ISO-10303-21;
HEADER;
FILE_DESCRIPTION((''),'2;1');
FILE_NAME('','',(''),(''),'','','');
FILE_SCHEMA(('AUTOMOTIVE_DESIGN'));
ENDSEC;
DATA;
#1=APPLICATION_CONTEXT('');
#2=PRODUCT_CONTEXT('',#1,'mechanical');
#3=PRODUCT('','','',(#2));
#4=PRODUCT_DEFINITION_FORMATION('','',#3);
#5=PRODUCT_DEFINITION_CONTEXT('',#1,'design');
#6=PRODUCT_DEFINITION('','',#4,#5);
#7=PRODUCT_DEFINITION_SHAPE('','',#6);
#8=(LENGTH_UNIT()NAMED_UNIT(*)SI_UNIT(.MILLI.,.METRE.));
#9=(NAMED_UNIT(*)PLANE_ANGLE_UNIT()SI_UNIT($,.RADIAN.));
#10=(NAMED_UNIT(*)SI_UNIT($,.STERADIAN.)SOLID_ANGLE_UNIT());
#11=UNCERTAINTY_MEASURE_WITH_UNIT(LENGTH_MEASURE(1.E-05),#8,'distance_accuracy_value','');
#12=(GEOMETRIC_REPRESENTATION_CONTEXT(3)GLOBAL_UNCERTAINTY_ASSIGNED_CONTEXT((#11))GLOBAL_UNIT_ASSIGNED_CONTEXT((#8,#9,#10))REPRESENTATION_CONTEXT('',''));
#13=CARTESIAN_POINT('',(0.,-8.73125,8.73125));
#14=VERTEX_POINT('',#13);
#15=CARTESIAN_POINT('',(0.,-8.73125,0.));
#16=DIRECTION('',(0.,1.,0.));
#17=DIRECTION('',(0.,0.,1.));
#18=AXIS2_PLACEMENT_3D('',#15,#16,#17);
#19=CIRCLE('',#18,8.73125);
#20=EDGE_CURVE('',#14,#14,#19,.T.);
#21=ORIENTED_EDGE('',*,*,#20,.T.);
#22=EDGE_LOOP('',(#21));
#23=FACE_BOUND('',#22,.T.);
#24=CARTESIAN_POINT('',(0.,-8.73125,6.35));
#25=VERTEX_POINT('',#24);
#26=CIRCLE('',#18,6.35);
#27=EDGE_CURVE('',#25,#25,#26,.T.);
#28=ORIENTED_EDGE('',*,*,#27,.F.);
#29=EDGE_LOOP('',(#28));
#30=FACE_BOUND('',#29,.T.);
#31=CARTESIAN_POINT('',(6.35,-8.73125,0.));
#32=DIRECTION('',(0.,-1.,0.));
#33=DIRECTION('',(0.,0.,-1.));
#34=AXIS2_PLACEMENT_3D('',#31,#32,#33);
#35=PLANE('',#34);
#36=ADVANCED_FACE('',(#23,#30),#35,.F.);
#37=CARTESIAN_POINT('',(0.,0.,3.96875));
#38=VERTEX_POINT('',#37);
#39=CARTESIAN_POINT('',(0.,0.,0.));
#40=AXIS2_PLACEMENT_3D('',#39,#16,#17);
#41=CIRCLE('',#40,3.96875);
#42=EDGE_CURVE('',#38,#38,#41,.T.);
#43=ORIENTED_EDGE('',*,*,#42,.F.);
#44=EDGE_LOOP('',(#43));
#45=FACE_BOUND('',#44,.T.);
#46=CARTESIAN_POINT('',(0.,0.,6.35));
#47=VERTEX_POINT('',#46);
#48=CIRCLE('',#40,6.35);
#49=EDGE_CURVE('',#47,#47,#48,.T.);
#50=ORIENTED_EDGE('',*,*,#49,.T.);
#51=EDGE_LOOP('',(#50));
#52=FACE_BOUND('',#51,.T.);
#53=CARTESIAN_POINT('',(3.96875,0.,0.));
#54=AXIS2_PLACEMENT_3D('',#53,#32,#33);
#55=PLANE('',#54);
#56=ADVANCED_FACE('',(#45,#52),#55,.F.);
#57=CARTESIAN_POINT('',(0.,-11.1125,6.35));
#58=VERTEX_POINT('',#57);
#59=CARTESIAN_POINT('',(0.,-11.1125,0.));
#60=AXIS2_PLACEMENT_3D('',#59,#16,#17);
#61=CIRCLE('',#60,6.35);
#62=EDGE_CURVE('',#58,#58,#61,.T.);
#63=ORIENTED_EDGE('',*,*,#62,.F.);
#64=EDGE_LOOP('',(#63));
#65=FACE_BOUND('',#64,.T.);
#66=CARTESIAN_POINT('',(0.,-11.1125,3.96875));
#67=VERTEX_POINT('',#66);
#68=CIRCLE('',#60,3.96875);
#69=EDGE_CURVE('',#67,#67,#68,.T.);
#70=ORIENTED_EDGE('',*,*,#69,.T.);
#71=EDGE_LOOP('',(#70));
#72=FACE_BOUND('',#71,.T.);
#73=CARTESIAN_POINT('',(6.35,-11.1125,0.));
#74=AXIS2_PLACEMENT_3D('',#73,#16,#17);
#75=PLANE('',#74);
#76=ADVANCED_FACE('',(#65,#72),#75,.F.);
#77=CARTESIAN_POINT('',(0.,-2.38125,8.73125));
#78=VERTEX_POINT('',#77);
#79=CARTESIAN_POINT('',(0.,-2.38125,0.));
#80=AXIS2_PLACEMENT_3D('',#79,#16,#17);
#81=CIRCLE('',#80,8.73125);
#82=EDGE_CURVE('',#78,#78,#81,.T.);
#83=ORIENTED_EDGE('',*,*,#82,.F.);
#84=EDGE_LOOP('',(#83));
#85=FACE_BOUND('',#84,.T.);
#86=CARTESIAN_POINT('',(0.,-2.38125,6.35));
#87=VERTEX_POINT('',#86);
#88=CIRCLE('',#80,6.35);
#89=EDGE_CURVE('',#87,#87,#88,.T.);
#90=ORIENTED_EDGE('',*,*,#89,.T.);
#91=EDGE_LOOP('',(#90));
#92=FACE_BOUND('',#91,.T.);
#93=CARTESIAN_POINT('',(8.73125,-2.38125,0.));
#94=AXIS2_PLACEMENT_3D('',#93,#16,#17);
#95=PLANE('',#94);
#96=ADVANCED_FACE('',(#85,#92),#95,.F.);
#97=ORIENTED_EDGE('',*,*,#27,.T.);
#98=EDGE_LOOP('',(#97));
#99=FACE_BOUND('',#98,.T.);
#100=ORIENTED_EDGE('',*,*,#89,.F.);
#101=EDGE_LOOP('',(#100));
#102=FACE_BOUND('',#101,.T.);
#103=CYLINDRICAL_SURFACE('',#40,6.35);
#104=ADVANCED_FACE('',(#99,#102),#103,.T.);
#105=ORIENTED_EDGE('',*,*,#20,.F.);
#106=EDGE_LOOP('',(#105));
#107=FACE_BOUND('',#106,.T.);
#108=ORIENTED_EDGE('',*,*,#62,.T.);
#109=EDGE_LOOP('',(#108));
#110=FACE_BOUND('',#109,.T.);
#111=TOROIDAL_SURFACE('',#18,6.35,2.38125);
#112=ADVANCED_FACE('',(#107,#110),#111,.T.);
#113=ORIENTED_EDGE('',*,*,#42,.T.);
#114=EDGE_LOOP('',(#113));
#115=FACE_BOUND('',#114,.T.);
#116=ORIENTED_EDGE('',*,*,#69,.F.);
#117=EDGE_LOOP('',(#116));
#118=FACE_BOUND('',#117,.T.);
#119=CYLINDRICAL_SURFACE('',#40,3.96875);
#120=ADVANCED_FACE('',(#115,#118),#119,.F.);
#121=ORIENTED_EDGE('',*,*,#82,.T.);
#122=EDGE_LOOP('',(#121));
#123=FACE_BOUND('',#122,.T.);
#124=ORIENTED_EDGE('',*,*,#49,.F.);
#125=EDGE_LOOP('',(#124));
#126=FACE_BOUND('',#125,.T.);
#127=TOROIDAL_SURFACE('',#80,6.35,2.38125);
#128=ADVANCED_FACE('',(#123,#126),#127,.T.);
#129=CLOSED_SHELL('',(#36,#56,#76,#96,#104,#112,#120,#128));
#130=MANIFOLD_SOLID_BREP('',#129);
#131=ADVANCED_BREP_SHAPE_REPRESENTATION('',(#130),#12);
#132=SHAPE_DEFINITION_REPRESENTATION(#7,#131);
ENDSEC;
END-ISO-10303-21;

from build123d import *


with BuildPart() as part:
    # Sketch1 → Revolve1 (revolve)
    with BuildSketch(Plane.XY, mode=Mode.PRIVATE) as revolve1_sk:
        with BuildLine():
            Line((3.96875, 0), (6.35, 0))
            ThreePointArc((6.35, 0), (8.033798023, -0.697451977), (8.73125, -2.38125))
            Line((8.73125, -2.38125), (6.35, -2.38125))
            Line((6.35, -2.38125), (6.35, -8.73125))
            Line((6.35, -8.73125), (8.73125, -8.73125))
            ThreePointArc((8.73125, -8.73125), (8.033798023, -10.415048023), (6.35, -11.1125))
            Line((6.35, -11.1125), (3.96875, -11.1125))
            Line((3.96875, -11.1125), (3.96875, 0))
        make_face()
    revolve(revolve1_sk.sketch.rotate(Axis((0, 0, 0), (0, -1, 0)), 90), axis=Axis((0, 0, 0), (0, -1, 0)))


solid = part.part
